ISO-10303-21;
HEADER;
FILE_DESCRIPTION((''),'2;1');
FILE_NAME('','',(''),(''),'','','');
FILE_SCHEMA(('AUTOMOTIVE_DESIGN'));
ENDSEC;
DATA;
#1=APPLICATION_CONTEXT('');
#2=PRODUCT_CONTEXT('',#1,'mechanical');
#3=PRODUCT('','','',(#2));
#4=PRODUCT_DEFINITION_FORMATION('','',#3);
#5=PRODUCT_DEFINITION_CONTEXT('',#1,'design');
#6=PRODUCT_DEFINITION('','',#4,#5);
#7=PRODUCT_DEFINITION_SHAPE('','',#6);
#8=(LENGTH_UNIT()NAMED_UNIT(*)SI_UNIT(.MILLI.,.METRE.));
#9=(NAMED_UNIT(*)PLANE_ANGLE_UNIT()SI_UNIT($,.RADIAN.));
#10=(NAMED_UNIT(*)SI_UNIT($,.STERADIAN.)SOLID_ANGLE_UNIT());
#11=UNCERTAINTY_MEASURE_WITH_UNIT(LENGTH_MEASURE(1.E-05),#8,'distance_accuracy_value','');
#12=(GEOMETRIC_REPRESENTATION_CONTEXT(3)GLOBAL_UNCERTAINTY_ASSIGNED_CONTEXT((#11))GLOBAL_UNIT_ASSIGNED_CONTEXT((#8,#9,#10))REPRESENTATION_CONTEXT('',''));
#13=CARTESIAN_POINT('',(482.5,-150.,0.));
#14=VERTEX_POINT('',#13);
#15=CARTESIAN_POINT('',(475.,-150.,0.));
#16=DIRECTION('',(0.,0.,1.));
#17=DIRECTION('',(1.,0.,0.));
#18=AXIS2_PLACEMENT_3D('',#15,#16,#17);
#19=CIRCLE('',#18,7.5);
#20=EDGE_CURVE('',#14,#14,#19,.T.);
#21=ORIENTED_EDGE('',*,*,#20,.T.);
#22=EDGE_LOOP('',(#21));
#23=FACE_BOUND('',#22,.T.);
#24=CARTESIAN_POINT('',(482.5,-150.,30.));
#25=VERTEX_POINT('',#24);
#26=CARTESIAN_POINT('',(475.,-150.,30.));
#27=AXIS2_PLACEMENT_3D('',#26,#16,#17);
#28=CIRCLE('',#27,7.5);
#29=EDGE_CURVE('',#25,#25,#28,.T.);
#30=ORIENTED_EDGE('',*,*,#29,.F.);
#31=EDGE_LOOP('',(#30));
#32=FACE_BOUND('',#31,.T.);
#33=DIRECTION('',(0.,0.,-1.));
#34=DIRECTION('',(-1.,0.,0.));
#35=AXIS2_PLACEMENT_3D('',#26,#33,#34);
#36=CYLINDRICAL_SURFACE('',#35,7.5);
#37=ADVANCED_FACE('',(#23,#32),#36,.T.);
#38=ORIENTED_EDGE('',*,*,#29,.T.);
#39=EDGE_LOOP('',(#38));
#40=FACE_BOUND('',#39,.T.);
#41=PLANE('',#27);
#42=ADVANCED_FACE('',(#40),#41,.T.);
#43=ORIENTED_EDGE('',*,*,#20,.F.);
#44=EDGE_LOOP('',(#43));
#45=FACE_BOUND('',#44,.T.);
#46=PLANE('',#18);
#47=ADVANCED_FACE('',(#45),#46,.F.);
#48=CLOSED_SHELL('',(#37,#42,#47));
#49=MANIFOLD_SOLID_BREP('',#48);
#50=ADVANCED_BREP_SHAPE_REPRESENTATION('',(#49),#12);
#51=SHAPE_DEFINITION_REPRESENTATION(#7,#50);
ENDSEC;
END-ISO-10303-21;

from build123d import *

# Parameters (mm, degrees)
SKETCH1_R           = 7.5
BOSS_EXTRUDE1_DEPTH = 30


with BuildPart() as part:
    # Sketch1 → Boss-Extrude1 (new body)
    with BuildSketch(Plane.XY):
        with Locations((475, -150)):
            Circle(SKETCH1_R)
    extrude(amount=BOSS_EXTRUDE1_DEPTH)


solid = part.part
